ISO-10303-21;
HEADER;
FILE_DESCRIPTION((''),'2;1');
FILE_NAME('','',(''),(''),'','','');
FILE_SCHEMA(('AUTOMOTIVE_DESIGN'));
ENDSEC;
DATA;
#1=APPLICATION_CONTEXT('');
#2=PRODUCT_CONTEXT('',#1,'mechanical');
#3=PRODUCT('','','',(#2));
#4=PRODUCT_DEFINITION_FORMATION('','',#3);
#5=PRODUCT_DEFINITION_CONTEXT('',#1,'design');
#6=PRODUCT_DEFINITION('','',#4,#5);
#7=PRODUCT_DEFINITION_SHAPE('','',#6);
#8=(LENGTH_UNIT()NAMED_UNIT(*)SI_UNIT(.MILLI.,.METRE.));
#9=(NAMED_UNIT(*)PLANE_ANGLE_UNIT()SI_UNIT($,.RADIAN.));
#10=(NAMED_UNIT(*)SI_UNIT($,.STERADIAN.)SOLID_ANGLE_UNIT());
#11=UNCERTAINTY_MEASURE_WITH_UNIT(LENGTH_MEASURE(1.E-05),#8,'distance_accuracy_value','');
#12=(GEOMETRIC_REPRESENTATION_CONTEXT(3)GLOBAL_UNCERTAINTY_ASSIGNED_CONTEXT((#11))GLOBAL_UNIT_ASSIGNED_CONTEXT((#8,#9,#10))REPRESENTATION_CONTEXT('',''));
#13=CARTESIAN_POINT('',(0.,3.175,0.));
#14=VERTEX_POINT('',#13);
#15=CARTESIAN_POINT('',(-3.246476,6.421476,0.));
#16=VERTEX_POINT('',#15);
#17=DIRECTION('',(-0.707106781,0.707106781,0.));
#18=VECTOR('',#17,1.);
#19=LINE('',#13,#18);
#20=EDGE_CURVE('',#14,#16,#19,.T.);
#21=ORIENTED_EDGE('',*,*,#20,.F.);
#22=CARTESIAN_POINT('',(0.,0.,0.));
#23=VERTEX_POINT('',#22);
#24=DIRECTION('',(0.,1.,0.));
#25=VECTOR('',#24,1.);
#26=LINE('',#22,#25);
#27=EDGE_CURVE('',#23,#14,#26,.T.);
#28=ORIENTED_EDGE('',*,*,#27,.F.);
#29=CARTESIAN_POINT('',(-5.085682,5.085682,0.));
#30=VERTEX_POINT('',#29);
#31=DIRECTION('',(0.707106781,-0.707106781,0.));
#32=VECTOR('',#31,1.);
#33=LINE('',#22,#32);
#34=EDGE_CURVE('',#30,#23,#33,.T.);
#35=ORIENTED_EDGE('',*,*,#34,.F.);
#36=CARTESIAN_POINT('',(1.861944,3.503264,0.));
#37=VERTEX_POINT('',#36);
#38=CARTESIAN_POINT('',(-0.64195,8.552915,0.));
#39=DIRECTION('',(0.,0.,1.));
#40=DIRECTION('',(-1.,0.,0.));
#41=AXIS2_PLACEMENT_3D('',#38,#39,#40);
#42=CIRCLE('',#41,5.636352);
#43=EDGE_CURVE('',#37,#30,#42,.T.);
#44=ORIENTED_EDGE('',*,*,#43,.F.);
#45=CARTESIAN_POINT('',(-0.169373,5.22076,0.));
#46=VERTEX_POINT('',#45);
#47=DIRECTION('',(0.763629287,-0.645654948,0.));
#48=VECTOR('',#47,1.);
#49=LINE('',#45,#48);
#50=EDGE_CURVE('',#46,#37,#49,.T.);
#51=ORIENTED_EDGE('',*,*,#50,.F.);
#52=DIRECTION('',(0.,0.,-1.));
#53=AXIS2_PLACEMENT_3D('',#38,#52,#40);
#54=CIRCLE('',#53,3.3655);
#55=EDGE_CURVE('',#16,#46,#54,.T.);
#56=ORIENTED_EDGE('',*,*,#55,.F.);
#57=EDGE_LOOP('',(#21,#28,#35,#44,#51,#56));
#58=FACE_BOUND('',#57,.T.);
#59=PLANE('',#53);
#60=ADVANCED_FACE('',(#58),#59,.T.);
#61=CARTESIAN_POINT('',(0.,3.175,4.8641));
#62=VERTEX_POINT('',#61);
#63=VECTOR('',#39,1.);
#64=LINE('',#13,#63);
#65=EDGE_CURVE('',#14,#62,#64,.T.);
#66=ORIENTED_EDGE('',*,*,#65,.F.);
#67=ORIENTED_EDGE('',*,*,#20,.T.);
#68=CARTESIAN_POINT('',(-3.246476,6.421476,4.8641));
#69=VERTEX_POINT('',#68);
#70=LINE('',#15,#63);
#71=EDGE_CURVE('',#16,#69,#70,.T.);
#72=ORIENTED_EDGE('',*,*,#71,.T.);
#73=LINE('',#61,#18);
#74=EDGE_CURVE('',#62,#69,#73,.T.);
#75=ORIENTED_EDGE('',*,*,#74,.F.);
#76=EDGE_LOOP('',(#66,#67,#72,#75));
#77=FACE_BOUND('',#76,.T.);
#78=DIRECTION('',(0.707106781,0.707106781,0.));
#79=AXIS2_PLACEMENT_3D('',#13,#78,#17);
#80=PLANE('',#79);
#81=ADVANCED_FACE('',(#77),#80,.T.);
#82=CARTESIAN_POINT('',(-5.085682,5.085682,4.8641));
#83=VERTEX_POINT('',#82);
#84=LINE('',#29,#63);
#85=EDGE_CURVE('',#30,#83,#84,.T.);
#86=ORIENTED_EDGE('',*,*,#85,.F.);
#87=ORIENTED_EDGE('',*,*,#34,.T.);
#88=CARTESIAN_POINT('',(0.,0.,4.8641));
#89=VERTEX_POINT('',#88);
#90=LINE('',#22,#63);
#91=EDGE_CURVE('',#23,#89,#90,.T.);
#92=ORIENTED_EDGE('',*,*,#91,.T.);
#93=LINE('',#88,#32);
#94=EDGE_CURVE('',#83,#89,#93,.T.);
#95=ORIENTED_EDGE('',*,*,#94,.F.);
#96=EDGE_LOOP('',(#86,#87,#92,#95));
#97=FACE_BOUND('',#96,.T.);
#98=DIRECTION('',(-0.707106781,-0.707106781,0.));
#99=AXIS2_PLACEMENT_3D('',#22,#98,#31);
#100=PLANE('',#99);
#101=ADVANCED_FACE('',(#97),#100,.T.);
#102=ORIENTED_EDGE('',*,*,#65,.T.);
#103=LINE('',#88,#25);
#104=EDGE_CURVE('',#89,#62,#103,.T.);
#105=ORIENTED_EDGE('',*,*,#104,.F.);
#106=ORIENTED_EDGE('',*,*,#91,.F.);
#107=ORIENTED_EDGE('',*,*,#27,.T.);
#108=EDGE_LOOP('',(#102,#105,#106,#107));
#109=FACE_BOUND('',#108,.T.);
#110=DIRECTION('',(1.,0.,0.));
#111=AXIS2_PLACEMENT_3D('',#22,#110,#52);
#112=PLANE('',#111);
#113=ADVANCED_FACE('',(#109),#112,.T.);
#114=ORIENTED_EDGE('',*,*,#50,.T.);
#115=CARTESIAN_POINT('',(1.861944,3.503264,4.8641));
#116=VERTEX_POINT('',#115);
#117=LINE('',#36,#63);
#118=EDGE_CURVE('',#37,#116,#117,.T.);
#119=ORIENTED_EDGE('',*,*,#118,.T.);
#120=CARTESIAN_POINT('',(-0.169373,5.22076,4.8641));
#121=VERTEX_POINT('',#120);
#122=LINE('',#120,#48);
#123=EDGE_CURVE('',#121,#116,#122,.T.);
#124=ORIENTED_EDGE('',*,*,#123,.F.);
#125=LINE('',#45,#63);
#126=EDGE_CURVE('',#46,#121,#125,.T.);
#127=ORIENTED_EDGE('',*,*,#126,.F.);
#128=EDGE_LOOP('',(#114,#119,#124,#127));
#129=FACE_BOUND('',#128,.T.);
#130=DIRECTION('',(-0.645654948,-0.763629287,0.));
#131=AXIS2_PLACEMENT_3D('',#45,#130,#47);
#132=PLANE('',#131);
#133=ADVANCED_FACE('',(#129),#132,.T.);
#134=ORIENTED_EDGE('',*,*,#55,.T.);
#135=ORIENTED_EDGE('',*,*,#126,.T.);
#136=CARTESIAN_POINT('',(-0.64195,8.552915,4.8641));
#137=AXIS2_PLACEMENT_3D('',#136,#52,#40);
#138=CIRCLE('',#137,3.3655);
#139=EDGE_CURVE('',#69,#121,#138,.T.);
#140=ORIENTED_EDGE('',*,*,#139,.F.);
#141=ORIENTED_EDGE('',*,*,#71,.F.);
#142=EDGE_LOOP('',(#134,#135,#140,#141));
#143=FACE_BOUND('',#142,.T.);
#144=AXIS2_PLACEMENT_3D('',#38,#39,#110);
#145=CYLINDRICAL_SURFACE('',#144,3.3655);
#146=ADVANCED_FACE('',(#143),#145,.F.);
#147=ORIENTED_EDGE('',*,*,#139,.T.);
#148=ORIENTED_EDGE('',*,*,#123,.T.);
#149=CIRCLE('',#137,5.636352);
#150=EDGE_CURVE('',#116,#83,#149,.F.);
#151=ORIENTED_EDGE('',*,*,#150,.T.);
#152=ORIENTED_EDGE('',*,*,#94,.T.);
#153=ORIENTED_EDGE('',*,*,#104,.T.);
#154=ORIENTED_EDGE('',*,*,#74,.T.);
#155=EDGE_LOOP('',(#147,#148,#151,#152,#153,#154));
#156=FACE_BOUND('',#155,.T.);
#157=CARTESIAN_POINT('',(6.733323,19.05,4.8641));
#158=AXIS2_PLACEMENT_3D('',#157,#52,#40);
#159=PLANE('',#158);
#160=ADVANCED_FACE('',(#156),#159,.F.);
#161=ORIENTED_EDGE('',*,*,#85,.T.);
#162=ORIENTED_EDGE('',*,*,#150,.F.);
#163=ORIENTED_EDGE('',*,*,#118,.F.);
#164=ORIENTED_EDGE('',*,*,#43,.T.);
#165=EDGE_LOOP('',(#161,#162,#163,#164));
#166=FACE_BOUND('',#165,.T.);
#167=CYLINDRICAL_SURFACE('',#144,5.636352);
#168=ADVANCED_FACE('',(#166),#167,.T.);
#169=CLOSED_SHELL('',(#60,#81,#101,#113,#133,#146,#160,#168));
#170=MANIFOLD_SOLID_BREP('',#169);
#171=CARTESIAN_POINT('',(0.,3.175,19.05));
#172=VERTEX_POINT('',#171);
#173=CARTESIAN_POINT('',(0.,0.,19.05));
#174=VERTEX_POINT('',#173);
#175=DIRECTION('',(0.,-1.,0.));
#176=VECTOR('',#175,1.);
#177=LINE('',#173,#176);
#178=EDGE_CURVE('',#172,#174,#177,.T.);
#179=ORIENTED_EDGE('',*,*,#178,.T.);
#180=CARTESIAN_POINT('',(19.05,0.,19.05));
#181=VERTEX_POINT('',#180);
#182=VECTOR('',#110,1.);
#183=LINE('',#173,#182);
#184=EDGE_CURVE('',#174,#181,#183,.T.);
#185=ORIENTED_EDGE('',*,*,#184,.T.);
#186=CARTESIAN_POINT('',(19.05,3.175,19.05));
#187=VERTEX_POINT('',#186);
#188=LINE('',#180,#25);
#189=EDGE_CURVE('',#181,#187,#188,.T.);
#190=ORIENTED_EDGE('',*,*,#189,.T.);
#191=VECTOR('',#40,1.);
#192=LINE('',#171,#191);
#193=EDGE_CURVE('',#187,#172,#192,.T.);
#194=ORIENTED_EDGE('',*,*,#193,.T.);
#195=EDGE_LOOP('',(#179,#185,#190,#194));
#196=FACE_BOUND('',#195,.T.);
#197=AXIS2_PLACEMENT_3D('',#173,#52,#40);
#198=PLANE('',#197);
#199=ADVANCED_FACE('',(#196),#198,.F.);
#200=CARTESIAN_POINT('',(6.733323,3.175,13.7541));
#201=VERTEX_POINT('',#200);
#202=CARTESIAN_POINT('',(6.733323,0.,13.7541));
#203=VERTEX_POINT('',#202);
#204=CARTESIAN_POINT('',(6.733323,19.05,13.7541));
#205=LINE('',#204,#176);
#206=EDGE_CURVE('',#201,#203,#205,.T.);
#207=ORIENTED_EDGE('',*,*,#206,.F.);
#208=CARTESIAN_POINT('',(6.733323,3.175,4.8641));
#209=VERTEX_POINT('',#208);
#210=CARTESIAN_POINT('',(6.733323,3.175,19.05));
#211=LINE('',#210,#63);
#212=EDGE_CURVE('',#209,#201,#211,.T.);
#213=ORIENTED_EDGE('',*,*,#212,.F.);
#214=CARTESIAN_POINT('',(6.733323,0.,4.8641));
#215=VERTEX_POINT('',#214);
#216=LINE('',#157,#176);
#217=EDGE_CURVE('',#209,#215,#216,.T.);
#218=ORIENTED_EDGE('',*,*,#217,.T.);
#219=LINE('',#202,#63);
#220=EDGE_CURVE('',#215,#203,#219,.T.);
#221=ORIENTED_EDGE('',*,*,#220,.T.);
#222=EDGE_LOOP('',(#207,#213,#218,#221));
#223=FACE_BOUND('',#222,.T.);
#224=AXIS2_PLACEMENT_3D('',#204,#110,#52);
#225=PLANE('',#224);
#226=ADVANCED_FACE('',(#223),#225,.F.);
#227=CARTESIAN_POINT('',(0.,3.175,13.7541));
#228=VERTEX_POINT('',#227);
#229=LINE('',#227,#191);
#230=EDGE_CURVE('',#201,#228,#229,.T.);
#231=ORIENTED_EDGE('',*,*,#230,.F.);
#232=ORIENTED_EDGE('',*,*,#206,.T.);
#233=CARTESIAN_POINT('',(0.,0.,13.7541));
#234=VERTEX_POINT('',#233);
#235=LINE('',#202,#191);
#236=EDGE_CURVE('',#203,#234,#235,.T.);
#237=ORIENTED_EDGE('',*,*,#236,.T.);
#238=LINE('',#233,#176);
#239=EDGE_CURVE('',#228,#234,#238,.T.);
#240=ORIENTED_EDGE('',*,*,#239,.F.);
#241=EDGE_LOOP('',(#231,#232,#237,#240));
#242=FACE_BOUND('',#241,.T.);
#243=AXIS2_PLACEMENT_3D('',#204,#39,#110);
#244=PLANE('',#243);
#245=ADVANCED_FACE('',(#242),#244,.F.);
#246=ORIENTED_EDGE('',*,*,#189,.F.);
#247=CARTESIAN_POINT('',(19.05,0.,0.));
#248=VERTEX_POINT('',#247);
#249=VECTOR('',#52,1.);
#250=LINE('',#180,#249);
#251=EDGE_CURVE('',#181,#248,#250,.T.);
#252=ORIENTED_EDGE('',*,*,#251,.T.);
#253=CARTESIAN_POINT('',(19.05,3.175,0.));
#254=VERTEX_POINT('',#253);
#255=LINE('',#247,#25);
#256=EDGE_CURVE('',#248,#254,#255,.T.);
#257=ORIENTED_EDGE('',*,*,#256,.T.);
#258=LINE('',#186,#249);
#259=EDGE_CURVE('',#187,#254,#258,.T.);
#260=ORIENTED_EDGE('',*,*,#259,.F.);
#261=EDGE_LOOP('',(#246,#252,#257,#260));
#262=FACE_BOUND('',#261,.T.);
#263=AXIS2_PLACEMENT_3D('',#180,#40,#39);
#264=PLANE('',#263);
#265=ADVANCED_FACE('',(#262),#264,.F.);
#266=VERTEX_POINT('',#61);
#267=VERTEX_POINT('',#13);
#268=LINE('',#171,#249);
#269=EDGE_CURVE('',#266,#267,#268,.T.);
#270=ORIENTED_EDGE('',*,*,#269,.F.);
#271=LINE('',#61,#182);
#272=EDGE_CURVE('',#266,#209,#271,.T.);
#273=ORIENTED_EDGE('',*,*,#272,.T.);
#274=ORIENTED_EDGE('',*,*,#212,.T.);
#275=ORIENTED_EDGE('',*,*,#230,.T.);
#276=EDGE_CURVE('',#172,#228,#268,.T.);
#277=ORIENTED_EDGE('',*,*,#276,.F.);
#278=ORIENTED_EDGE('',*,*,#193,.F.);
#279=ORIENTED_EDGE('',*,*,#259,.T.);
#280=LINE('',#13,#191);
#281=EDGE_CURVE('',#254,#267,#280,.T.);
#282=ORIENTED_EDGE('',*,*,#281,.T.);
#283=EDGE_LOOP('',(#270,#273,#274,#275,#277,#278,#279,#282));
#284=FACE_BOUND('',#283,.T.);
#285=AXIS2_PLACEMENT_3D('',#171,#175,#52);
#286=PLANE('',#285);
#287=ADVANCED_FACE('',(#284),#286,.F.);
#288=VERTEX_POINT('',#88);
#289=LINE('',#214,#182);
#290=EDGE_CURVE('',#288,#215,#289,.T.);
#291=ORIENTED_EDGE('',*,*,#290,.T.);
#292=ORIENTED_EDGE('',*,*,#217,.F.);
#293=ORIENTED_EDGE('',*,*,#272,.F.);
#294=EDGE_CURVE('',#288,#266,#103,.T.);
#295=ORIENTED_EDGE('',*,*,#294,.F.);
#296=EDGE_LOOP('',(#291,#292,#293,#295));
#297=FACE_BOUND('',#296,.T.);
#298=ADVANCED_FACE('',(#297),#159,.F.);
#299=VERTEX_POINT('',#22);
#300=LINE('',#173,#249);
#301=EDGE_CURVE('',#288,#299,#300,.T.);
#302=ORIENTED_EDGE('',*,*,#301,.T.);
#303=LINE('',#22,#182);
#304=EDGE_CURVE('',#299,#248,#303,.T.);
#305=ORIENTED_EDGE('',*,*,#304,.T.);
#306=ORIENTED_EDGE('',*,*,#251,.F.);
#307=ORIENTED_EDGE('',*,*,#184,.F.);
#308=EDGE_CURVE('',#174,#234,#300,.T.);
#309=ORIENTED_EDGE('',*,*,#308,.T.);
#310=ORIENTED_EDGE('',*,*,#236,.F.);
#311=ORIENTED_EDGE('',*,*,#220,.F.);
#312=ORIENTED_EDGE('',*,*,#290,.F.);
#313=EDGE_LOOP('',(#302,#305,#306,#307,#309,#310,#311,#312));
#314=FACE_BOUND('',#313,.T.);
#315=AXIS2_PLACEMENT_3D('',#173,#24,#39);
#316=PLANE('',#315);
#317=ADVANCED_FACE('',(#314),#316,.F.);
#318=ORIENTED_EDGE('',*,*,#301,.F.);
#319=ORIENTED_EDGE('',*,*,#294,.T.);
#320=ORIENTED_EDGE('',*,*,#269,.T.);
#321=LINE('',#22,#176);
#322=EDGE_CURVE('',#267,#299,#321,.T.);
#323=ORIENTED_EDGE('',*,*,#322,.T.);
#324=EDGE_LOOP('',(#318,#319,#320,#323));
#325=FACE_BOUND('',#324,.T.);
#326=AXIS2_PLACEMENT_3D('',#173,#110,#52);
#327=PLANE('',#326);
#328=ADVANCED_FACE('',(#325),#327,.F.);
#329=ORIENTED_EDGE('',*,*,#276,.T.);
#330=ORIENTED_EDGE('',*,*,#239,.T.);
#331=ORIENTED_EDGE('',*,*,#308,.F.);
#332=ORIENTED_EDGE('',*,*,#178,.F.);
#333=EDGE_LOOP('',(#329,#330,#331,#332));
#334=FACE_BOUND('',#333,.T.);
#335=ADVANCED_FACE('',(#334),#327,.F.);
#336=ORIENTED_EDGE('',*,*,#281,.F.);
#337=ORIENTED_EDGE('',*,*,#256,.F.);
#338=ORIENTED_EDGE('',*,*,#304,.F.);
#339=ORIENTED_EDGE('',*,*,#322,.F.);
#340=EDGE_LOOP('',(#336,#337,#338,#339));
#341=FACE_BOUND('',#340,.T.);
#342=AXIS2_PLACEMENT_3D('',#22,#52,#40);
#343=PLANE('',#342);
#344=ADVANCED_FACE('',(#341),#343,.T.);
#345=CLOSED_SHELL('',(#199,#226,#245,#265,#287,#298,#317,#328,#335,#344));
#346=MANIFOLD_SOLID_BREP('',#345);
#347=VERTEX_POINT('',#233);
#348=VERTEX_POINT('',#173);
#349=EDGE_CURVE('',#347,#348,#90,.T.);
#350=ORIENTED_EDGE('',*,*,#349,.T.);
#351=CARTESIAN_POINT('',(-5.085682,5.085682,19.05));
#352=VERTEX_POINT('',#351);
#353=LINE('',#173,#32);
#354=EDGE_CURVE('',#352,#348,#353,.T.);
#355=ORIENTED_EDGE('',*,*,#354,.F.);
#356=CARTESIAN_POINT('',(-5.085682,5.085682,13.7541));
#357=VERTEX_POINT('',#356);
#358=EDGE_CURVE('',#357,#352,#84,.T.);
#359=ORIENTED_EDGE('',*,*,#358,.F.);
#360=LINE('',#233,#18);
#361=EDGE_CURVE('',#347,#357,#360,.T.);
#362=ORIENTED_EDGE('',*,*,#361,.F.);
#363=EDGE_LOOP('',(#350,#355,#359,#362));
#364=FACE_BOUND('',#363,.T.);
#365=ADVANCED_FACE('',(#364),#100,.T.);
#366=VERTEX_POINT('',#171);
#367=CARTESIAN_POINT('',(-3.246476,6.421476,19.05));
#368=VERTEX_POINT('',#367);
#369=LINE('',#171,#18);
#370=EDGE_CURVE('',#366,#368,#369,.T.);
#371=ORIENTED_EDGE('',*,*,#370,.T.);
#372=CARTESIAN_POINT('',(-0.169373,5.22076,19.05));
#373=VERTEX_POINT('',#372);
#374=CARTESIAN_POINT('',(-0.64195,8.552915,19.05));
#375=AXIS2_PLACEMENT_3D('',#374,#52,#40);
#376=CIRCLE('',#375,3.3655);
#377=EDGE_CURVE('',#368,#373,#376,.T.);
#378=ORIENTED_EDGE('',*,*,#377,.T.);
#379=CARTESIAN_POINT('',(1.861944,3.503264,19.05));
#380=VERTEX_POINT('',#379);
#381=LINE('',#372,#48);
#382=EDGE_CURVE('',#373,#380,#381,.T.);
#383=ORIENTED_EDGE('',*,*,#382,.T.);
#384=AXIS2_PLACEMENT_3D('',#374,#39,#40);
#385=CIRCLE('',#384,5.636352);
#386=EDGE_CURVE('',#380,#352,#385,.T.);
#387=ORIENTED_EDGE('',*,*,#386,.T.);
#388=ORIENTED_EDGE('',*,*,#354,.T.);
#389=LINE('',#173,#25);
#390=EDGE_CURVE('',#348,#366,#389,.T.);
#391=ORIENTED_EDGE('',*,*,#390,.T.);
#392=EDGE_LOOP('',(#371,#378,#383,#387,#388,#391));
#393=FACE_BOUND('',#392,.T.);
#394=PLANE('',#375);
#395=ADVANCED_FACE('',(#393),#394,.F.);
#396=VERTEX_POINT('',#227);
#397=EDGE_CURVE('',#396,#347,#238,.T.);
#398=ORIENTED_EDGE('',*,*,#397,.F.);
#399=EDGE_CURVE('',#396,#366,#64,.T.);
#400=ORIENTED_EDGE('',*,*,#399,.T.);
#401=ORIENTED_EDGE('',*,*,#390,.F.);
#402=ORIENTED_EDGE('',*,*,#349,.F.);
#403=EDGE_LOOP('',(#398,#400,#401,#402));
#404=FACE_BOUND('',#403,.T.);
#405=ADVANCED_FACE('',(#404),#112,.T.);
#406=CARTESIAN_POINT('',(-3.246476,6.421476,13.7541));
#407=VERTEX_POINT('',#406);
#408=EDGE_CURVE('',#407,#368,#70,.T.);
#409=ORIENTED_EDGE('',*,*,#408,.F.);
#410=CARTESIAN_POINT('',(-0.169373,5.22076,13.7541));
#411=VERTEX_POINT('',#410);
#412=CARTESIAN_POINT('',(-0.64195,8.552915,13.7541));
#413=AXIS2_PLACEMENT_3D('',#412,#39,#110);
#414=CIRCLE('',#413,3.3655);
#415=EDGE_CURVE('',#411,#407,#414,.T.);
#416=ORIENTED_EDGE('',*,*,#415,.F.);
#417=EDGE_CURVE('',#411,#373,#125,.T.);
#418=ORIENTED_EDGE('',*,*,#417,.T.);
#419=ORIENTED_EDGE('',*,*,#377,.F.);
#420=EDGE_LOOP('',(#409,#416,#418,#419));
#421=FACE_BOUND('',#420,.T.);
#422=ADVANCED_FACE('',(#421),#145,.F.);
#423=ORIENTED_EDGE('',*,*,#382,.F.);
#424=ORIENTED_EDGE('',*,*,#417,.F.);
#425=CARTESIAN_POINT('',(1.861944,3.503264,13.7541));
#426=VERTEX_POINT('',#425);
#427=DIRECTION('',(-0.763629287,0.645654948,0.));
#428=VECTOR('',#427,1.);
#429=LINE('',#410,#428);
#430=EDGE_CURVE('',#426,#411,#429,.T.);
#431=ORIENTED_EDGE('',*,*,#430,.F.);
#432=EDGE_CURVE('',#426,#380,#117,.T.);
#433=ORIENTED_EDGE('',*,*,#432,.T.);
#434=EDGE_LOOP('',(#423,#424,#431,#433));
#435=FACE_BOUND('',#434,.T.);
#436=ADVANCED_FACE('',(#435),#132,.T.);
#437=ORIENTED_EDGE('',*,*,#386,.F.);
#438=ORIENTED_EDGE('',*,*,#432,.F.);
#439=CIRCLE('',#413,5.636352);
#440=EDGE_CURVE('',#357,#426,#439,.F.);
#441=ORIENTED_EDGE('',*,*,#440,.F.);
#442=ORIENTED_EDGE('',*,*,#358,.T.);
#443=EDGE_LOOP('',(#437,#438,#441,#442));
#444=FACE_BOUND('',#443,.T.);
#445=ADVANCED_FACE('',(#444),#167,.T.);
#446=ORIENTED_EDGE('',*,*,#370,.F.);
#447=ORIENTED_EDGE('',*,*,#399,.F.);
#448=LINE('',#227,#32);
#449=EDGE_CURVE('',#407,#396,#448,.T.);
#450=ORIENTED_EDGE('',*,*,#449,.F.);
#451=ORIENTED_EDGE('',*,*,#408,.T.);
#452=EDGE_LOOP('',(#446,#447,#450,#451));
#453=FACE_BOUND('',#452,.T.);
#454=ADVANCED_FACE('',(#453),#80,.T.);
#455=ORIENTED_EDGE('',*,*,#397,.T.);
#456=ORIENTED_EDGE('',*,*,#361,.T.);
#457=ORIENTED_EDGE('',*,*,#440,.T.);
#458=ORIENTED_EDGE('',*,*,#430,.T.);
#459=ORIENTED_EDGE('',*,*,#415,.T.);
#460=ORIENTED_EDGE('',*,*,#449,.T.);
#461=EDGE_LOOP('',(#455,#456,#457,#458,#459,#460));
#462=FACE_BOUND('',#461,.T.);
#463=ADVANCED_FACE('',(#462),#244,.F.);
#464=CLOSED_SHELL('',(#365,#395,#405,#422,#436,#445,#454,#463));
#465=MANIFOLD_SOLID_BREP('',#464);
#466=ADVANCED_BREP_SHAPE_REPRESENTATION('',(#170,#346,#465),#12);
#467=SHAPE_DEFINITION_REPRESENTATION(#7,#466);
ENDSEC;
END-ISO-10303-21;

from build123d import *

# Parameters (mm, degrees)
SKETCH1_W           = 19.05
SKETCH1_H           = 3.175
BOSS_EXTRUDE1_DEPTH = 19.05
BOSS_EXTRUDE2_DEPTH = 19.05
SKETCH3_W           = 14.499116916
SKETCH3_H           = 8.89
CUT_EXTRUDE1_DEPTH  = 19.05


with BuildPart() as part:
    # Sketch1 → Boss-Extrude1 (new body)
    with BuildSketch(Plane.XY):
        with Locations((9.525, 1.5875)):
            Rectangle(SKETCH1_W, SKETCH1_H)
    extrude(amount=BOSS_EXTRUDE1_DEPTH)


with BuildPart() as body_2:
    # Sketch2 → Boss-Extrude2 (new body)
    with BuildSketch(Plane.XY.offset(19.05)):
        with BuildLine():
            Line((0, 3.175), (-3.246475658, 6.421475658))
            ThreePointArc((-3.246475658, 6.421475658), (0.581460119, 11.688175821), (-0.169373011, 5.220759604))
            Line((-0.169373011, 5.220759604), (1.861944145, 3.503263964))
            ThreePointArc((1.861944145, 3.503263964), (0.609751023, 14.048523374), (-5.085681873, 5.085681873))
            Line((-5.085681873, 5.085681873), (0, 0))
            Line((0, 0), (0, 3.175))
        make_face()
    extrude(amount=-BOSS_EXTRUDE2_DEPTH)


with BuildPart() as cut_extrude1_tool:
    # Sketch3 → Cut-Extrude1 (new body)
    with BuildSketch(Plane.XZ):
        with Locations((-0.516235889, 9.3091)):
            Rectangle(SKETCH3_W, SKETCH3_H)
    extrude(amount=-CUT_EXTRUDE1_DEPTH)


with BuildPart() as part_1:
    add(part.part)

    # Cut-Extrude1: cut by cut_extrude1_tool
    add(cut_extrude1_tool.part, mode=Mode.SUBTRACT)


with BuildPart() as body_2_1:
    add(body_2.part)

    # Cut-Extrude1: cut by cut_extrude1_tool
    add(cut_extrude1_tool.part, mode=Mode.SUBTRACT)


solid = Compound([part_1.part, body_2_1.part])
